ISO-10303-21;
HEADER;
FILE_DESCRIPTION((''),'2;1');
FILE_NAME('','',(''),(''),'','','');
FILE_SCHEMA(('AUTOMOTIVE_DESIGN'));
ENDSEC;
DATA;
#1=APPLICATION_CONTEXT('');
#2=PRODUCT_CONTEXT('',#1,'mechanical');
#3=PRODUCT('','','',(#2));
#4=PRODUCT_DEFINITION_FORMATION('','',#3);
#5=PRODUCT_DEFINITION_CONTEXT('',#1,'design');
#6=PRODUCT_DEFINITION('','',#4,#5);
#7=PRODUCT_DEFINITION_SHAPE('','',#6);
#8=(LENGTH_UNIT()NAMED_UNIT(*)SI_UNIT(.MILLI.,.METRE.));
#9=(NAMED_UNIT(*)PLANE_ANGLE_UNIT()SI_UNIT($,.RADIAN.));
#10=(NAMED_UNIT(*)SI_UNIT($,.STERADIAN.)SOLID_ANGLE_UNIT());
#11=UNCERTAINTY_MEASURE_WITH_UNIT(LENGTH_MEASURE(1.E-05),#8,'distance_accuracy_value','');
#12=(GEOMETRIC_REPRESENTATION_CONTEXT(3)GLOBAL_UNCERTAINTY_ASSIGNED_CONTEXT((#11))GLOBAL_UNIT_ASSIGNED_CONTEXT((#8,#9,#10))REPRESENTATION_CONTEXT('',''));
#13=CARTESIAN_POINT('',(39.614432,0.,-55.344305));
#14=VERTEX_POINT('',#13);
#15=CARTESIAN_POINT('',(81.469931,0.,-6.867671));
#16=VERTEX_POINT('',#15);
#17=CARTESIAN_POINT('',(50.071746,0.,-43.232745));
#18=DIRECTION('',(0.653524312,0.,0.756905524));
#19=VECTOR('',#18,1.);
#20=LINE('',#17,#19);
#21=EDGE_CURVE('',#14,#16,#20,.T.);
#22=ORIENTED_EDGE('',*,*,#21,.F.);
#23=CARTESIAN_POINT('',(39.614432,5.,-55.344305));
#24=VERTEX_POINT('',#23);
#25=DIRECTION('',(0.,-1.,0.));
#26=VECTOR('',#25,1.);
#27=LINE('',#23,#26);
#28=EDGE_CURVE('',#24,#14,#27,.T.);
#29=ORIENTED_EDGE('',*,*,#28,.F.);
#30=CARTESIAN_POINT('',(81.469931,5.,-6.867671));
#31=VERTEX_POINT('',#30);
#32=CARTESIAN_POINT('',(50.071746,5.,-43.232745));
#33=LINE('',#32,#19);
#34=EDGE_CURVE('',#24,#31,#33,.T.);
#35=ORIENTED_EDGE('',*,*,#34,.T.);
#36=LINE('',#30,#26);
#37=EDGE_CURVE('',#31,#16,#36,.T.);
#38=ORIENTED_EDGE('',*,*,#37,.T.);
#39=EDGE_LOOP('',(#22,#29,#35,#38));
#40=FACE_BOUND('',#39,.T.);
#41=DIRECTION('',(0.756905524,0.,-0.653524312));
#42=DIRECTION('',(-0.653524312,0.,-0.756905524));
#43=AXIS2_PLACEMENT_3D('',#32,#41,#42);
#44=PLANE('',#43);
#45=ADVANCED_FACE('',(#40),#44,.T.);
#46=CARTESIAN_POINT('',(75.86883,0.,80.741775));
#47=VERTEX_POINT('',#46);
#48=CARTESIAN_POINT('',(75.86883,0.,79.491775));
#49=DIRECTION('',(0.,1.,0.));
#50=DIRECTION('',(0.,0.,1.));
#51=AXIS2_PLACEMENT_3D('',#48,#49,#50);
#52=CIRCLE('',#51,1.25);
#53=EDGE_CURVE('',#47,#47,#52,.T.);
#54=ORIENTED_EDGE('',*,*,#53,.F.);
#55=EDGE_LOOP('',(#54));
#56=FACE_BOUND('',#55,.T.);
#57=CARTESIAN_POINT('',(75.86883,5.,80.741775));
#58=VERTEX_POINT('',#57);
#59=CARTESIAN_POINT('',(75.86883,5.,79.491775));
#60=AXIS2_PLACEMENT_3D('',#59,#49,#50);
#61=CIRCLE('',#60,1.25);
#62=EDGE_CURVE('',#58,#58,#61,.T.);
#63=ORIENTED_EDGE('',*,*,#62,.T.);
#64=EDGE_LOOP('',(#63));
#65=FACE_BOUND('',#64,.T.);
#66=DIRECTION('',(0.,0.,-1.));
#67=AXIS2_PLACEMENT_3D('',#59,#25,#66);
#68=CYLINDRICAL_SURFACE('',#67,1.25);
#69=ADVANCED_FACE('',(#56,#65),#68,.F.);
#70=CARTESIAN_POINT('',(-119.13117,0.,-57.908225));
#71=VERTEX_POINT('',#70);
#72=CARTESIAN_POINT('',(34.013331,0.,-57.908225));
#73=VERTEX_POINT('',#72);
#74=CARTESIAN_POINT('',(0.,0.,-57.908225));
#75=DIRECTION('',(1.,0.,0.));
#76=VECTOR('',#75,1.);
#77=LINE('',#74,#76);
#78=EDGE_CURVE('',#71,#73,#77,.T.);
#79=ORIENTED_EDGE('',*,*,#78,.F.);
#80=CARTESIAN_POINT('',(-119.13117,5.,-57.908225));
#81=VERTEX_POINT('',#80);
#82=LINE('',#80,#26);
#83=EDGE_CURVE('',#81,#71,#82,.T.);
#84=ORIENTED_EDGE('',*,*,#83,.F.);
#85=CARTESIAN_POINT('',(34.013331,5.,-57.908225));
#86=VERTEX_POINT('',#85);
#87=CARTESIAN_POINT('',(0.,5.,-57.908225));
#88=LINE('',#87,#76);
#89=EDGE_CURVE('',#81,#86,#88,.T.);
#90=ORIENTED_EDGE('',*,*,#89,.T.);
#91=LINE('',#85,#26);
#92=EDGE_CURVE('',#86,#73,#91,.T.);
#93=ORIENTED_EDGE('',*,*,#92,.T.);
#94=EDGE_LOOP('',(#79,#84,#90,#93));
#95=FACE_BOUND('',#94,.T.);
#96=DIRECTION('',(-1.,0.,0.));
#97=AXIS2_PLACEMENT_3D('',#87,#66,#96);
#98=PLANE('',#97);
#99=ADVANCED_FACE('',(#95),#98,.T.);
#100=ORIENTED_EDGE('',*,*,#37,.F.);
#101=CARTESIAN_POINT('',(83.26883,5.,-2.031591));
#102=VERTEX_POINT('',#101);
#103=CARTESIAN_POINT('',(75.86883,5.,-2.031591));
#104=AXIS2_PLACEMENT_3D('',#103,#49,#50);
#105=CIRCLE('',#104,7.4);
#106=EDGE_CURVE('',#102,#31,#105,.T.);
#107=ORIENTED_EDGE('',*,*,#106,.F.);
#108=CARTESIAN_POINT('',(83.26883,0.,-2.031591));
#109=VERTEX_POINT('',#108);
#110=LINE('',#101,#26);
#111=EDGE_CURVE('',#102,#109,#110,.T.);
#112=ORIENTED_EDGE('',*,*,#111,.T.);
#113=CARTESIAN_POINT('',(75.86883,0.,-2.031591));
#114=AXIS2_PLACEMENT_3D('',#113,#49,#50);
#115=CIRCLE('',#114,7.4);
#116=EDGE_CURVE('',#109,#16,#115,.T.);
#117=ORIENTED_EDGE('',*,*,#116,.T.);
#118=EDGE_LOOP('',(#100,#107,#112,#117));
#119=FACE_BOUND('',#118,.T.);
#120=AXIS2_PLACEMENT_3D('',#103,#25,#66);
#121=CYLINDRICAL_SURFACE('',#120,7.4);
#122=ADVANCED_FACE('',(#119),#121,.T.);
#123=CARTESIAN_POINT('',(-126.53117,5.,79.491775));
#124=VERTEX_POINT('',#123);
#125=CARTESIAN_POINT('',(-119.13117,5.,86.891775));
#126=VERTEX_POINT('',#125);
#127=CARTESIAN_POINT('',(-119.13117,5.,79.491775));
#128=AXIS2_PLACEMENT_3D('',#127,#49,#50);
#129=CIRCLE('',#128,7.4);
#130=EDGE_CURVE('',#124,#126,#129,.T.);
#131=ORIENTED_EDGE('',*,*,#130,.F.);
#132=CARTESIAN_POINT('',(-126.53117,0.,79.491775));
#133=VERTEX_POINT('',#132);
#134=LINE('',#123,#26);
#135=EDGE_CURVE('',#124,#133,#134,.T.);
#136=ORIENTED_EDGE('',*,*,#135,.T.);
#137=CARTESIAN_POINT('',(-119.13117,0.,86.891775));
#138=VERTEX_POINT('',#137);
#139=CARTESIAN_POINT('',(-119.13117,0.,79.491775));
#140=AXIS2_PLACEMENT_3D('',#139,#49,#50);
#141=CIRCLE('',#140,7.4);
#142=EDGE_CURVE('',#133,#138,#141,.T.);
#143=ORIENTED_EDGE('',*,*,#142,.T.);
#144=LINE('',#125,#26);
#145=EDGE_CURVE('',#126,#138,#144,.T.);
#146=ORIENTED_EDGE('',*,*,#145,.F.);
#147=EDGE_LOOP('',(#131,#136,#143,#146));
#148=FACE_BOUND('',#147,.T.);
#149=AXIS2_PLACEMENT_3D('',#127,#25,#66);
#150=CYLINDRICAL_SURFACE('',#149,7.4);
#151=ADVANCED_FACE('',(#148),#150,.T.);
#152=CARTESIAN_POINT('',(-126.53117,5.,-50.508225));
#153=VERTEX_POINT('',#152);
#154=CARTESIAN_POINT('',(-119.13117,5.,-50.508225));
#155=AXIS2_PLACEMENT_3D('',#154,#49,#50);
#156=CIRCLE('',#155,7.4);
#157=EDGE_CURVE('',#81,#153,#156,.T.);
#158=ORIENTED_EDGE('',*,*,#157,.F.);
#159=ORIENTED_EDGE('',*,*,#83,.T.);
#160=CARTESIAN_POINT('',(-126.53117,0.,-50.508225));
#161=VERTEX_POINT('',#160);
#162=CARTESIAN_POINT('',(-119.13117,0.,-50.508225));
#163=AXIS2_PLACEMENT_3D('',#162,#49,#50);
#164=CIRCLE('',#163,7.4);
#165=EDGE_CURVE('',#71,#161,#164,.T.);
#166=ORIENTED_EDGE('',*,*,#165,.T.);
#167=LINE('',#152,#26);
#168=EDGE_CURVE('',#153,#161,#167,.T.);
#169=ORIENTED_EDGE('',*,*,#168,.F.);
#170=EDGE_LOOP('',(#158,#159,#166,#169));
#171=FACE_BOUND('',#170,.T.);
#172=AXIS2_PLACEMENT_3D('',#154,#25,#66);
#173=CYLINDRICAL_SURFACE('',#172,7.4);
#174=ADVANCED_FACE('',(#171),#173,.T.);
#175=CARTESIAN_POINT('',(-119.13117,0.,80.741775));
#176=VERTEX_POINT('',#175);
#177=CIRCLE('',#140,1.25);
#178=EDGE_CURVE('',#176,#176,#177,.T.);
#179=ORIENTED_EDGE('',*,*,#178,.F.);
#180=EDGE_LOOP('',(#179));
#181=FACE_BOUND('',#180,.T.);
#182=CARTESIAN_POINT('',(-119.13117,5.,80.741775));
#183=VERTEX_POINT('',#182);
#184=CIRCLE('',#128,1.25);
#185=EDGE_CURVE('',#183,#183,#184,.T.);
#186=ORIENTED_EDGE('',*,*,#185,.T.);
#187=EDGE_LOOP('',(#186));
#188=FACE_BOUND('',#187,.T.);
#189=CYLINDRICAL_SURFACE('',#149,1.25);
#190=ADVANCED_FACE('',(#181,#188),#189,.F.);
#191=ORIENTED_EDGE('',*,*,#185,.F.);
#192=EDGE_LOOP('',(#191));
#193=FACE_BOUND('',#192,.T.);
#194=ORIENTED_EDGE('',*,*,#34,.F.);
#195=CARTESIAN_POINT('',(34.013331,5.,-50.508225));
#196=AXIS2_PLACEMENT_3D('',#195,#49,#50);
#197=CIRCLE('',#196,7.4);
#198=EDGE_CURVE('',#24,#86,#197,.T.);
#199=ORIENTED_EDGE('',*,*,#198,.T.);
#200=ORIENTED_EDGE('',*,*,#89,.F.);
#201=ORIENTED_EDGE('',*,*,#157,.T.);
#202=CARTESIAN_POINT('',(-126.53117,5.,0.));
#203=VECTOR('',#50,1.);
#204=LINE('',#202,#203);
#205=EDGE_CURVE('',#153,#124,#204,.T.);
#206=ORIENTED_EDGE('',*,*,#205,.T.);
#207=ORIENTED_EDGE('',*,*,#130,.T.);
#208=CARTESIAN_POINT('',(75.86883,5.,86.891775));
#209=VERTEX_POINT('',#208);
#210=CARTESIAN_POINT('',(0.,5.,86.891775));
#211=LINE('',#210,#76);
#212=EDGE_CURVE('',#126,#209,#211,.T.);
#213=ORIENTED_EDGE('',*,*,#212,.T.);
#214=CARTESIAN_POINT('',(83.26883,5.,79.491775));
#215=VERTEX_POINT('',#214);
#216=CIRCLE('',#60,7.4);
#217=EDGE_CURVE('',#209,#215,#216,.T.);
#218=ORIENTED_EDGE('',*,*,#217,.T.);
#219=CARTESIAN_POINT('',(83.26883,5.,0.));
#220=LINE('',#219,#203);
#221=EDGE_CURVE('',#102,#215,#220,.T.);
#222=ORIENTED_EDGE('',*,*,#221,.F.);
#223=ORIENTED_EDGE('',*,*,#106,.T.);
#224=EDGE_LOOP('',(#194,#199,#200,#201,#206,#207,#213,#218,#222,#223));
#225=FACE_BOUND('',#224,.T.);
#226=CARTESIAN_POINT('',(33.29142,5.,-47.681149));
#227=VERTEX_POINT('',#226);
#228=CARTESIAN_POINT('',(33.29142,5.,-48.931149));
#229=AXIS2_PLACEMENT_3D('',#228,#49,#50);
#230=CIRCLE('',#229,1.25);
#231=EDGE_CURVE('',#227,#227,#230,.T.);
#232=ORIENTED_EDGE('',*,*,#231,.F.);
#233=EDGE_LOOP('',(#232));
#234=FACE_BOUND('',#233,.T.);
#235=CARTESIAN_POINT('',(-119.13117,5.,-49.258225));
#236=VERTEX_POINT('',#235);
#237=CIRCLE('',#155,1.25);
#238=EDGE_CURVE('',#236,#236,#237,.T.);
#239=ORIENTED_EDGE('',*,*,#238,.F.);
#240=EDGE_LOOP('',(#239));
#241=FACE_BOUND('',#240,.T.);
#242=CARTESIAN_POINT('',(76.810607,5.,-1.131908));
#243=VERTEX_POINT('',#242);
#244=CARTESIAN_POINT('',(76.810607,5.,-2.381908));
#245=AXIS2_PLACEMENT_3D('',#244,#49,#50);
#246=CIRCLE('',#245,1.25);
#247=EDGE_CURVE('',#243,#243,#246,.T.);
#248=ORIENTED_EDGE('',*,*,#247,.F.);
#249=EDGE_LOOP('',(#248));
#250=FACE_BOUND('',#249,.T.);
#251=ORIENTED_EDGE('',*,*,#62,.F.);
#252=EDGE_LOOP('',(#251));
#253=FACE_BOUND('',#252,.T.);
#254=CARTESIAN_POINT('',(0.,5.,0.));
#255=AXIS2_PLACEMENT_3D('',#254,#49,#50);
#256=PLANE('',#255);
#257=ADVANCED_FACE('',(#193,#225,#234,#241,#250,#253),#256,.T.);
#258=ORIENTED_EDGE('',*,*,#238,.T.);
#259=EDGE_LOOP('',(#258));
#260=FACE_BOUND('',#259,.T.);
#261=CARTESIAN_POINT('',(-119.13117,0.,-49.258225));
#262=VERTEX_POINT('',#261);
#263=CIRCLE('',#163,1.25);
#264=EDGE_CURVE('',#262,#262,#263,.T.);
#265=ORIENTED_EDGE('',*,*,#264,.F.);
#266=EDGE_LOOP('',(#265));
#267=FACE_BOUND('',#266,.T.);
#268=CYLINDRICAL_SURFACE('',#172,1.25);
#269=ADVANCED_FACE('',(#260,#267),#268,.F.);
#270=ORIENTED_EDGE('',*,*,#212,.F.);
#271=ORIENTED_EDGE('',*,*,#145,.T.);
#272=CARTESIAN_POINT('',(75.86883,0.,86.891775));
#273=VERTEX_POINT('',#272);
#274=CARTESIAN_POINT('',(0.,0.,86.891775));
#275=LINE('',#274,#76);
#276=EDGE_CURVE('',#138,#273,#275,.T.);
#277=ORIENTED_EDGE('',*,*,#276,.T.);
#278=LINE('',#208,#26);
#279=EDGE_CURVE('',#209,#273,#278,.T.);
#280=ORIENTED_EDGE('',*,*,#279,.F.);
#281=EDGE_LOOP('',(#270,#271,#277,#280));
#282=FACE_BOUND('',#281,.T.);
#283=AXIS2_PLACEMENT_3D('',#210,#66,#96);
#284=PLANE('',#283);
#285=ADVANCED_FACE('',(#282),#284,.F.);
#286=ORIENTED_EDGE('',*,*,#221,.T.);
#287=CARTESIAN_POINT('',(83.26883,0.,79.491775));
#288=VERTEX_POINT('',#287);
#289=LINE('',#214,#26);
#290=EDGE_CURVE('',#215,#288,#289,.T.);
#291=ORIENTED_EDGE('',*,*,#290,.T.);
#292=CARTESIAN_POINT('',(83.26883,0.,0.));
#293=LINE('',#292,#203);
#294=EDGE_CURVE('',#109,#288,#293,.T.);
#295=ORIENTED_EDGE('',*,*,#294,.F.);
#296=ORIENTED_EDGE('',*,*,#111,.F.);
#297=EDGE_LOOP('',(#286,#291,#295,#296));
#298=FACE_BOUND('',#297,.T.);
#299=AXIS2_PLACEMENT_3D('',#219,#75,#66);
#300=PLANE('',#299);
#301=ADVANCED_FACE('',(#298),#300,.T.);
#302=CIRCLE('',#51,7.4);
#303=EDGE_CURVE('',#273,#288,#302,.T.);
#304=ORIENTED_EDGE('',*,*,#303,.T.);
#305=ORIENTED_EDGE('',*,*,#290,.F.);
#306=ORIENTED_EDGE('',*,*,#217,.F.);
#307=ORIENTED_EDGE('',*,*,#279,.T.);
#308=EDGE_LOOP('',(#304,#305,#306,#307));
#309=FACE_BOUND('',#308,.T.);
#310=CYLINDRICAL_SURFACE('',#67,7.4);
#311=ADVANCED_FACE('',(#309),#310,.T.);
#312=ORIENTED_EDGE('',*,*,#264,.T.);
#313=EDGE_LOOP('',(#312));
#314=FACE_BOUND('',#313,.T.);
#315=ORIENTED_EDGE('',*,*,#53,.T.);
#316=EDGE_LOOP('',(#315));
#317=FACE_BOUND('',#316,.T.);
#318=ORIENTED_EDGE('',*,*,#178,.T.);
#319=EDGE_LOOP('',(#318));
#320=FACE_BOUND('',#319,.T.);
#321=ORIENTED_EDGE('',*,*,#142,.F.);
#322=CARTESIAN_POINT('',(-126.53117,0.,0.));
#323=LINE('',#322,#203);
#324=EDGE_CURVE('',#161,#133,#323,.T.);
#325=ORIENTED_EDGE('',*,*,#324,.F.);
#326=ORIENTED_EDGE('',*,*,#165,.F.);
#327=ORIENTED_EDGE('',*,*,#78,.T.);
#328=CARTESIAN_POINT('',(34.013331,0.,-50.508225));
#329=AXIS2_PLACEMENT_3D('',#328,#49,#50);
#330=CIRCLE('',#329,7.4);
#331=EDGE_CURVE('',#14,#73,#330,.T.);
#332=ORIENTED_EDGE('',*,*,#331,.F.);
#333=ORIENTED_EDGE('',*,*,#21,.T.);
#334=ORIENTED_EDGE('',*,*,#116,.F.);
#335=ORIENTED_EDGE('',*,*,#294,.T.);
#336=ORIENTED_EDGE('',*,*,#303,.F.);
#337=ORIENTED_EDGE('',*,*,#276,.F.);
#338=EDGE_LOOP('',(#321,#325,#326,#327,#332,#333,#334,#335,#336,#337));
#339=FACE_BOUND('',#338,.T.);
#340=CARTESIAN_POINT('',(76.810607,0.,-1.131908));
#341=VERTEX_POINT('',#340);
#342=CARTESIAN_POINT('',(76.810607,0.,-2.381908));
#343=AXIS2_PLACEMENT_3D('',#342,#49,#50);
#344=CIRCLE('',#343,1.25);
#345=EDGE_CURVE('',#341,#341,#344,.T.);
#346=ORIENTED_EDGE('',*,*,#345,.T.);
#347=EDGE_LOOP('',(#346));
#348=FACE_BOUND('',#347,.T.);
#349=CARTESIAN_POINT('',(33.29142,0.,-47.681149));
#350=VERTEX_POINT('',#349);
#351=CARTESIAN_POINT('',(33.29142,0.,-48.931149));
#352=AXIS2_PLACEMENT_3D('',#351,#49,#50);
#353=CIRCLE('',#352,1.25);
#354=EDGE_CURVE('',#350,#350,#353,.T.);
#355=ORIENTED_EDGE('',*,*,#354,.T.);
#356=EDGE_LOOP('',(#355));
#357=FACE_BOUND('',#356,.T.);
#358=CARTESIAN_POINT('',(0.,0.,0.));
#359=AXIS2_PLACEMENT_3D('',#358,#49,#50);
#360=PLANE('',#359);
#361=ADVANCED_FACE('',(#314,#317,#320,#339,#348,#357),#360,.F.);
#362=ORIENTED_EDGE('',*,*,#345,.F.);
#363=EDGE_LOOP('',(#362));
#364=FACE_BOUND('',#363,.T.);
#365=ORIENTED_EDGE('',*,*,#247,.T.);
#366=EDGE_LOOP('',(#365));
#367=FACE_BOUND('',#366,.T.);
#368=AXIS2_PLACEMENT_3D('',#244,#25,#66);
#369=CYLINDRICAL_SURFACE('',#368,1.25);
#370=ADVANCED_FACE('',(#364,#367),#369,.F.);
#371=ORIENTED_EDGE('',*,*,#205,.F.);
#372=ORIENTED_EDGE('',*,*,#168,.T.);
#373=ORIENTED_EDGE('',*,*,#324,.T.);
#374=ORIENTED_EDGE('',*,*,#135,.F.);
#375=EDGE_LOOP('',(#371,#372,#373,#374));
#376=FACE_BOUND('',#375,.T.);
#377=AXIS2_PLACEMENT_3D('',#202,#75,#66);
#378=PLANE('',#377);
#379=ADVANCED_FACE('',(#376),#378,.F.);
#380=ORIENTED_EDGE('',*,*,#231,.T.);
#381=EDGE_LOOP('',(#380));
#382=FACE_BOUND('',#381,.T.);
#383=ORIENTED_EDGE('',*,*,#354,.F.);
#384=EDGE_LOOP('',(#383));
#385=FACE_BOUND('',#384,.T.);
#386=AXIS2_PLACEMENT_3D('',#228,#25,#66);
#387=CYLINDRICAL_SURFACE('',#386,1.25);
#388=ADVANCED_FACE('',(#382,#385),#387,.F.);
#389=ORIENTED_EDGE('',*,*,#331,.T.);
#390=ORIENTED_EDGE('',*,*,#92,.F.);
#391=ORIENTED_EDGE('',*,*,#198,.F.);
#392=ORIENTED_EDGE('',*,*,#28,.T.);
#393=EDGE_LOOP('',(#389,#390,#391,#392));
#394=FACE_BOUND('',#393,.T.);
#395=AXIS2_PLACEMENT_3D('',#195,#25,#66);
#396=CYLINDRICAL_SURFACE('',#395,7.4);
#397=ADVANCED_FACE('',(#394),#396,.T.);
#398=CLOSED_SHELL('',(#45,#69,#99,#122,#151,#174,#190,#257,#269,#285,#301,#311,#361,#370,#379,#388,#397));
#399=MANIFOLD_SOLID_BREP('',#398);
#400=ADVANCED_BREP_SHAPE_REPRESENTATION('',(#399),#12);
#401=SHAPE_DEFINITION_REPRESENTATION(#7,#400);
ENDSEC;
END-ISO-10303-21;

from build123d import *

# Parameters (mm, degrees)
SKETCH_2_R      = 1.25
EXTRUDE_1_DEPTH = 5


with BuildPart() as part:
    # 草图2 → 凸台-拉伸1 (new body)
    with BuildSketch(Plane(origin=(0, 0, 0), x_dir=(1, 0, 0), z_dir=(0, 1, 0))):
        with BuildLine():
            Line((-119.131169622, 57.908224798), (34.013330694, 57.908224798))
            ThreePointArc((34.013330694, 57.908224798), (37.09334763, 57.236783015), (39.614431575, 55.344304711))
            Line((39.614431575, 55.344304711), (81.469931259, 6.86767066))
            ThreePointArc((81.469931259, 6.86767066), (82.804540382, 4.611499029), (83.268830378, 2.031590747))
            Line((83.268830378, 2.031590747), (83.268830378, -79.491775202))
            ThreePointArc((83.268830378, -79.491775202), (81.101420559, -84.724365382), (75.868830378, -86.891775202))
            Line((75.868830378, -86.891775202), (-119.131169622, -86.891775202))
            ThreePointArc((-119.131169622, -86.891775202), (-124.363759802, -84.724365382), (-126.531169622, -79.491775202))
            Line((-126.531169622, -79.491775202), (-126.531169622, 50.508224798))
            ThreePointArc((-126.531169622, 50.508224798), (-124.363759802, 55.740814979), (-119.131169622, 57.908224798))
        make_face()
        with Locations(Location((76.810606689, 2.381907658, 0), (0, 0, 270))):
            Circle(SKETCH_2_R, mode=Mode.SUBTRACT)
        with Locations(Location((33.291419632, 48.931148856, 0), (0, 0, 270))):
            Circle(SKETCH_2_R, mode=Mode.SUBTRACT)
        with Locations(Location((-119.131169622, 50.508224798, 0), (0, 0, 270))):
            Circle(SKETCH_2_R, mode=Mode.SUBTRACT)
        with Locations(Location((-119.131169622, -79.491775202, 0), (0, 0, 270))):
            Circle(SKETCH_2_R, mode=Mode.SUBTRACT)
        with Locations(Location((75.868830378, -79.491775202, 0), (0, 0, 270))):
            Circle(SKETCH_2_R, mode=Mode.SUBTRACT)
    extrude(amount=EXTRUDE_1_DEPTH)


solid = part.part
